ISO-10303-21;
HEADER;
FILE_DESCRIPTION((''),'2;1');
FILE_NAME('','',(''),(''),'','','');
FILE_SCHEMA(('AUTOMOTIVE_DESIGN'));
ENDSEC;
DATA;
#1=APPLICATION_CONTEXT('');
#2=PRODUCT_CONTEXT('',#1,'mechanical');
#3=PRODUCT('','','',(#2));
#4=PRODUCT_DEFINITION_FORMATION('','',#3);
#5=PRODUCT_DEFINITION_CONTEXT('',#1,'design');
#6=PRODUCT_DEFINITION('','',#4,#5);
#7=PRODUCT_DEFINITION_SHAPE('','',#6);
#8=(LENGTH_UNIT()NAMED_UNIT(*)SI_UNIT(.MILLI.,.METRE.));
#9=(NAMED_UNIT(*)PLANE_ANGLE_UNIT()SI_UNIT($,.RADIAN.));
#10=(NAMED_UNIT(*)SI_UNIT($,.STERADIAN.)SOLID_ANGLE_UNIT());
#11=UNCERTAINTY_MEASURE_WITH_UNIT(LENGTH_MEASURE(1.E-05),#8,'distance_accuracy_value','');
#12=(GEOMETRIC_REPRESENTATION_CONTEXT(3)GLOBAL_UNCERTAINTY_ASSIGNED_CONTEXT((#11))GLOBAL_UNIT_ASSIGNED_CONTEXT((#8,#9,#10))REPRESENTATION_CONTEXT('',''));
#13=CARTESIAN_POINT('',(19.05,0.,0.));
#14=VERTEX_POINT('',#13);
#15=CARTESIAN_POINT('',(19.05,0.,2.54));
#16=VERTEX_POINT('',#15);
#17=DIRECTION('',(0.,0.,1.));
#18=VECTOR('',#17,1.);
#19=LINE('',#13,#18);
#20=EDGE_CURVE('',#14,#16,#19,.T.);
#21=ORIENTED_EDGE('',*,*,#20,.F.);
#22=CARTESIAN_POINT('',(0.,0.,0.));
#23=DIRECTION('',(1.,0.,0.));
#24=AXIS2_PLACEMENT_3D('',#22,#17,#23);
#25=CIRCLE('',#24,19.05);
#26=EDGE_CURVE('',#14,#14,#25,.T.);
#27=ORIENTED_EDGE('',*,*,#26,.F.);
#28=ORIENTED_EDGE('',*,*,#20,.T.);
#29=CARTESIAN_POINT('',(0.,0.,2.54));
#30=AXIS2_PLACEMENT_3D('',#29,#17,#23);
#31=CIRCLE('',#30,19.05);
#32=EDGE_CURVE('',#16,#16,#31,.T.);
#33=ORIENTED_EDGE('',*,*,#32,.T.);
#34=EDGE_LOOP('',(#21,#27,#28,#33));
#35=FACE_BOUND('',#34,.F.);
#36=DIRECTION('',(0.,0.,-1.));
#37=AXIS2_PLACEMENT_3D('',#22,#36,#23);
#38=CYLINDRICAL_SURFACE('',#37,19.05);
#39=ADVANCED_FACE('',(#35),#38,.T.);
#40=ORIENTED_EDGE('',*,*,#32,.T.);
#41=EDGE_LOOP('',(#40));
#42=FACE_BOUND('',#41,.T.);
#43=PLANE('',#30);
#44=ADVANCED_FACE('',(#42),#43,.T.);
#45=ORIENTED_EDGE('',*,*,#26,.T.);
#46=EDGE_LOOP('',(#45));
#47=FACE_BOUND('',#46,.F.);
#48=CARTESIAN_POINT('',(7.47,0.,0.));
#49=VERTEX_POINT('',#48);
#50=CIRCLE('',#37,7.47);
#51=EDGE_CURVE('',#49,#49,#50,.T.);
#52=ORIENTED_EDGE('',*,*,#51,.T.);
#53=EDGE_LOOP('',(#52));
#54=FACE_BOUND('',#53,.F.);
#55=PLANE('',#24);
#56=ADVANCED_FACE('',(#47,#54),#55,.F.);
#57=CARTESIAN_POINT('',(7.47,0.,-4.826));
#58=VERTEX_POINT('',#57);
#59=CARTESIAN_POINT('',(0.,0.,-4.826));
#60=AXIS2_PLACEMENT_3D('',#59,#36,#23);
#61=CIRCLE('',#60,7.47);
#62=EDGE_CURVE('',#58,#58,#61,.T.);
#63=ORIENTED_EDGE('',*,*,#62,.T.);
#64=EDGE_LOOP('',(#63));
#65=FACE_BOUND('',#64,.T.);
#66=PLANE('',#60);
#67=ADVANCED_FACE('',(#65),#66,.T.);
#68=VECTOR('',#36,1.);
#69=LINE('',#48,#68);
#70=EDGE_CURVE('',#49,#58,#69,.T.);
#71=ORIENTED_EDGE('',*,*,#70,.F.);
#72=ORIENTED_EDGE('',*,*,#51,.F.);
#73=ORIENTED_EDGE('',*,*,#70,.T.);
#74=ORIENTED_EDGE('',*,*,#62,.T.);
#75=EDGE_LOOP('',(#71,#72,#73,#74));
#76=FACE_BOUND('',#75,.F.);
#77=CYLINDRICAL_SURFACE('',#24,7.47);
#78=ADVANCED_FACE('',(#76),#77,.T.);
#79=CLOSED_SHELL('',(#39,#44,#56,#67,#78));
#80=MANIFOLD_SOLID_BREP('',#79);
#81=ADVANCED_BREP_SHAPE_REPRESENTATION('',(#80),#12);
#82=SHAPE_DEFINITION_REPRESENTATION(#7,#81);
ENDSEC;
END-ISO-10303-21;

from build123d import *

# Parameters (mm, degrees)
F0_R     = 2.25
F1_DEPTH = 2.54
F0_R_2   = 19.05
F2_DEPTH = 2.54
F3_R     = 7.47
F4_DEPTH = 4.826


with BuildPart() as f1:
    # F0 (on Top) → F1 (new body)
    with BuildSketch(Plane.XY):
        Circle(F0_R)
    extrude(amount=F1_DEPTH)

    # F0 (on Top) → F2 (join)
    with BuildSketch(Plane.XY):
        Circle(F0_R_2)
        Circle(F0_R, mode=Mode.SUBTRACT)
    extrude(amount=F2_DEPTH)

    # F3 (on face) → F4 (join)
    with BuildSketch(Plane(origin=(0, 0, 0), x_dir=(1, 0, 0), z_dir=(0, 0, -1))):
        Circle(F3_R)
    extrude(amount=F4_DEPTH)


solid = f1.part
